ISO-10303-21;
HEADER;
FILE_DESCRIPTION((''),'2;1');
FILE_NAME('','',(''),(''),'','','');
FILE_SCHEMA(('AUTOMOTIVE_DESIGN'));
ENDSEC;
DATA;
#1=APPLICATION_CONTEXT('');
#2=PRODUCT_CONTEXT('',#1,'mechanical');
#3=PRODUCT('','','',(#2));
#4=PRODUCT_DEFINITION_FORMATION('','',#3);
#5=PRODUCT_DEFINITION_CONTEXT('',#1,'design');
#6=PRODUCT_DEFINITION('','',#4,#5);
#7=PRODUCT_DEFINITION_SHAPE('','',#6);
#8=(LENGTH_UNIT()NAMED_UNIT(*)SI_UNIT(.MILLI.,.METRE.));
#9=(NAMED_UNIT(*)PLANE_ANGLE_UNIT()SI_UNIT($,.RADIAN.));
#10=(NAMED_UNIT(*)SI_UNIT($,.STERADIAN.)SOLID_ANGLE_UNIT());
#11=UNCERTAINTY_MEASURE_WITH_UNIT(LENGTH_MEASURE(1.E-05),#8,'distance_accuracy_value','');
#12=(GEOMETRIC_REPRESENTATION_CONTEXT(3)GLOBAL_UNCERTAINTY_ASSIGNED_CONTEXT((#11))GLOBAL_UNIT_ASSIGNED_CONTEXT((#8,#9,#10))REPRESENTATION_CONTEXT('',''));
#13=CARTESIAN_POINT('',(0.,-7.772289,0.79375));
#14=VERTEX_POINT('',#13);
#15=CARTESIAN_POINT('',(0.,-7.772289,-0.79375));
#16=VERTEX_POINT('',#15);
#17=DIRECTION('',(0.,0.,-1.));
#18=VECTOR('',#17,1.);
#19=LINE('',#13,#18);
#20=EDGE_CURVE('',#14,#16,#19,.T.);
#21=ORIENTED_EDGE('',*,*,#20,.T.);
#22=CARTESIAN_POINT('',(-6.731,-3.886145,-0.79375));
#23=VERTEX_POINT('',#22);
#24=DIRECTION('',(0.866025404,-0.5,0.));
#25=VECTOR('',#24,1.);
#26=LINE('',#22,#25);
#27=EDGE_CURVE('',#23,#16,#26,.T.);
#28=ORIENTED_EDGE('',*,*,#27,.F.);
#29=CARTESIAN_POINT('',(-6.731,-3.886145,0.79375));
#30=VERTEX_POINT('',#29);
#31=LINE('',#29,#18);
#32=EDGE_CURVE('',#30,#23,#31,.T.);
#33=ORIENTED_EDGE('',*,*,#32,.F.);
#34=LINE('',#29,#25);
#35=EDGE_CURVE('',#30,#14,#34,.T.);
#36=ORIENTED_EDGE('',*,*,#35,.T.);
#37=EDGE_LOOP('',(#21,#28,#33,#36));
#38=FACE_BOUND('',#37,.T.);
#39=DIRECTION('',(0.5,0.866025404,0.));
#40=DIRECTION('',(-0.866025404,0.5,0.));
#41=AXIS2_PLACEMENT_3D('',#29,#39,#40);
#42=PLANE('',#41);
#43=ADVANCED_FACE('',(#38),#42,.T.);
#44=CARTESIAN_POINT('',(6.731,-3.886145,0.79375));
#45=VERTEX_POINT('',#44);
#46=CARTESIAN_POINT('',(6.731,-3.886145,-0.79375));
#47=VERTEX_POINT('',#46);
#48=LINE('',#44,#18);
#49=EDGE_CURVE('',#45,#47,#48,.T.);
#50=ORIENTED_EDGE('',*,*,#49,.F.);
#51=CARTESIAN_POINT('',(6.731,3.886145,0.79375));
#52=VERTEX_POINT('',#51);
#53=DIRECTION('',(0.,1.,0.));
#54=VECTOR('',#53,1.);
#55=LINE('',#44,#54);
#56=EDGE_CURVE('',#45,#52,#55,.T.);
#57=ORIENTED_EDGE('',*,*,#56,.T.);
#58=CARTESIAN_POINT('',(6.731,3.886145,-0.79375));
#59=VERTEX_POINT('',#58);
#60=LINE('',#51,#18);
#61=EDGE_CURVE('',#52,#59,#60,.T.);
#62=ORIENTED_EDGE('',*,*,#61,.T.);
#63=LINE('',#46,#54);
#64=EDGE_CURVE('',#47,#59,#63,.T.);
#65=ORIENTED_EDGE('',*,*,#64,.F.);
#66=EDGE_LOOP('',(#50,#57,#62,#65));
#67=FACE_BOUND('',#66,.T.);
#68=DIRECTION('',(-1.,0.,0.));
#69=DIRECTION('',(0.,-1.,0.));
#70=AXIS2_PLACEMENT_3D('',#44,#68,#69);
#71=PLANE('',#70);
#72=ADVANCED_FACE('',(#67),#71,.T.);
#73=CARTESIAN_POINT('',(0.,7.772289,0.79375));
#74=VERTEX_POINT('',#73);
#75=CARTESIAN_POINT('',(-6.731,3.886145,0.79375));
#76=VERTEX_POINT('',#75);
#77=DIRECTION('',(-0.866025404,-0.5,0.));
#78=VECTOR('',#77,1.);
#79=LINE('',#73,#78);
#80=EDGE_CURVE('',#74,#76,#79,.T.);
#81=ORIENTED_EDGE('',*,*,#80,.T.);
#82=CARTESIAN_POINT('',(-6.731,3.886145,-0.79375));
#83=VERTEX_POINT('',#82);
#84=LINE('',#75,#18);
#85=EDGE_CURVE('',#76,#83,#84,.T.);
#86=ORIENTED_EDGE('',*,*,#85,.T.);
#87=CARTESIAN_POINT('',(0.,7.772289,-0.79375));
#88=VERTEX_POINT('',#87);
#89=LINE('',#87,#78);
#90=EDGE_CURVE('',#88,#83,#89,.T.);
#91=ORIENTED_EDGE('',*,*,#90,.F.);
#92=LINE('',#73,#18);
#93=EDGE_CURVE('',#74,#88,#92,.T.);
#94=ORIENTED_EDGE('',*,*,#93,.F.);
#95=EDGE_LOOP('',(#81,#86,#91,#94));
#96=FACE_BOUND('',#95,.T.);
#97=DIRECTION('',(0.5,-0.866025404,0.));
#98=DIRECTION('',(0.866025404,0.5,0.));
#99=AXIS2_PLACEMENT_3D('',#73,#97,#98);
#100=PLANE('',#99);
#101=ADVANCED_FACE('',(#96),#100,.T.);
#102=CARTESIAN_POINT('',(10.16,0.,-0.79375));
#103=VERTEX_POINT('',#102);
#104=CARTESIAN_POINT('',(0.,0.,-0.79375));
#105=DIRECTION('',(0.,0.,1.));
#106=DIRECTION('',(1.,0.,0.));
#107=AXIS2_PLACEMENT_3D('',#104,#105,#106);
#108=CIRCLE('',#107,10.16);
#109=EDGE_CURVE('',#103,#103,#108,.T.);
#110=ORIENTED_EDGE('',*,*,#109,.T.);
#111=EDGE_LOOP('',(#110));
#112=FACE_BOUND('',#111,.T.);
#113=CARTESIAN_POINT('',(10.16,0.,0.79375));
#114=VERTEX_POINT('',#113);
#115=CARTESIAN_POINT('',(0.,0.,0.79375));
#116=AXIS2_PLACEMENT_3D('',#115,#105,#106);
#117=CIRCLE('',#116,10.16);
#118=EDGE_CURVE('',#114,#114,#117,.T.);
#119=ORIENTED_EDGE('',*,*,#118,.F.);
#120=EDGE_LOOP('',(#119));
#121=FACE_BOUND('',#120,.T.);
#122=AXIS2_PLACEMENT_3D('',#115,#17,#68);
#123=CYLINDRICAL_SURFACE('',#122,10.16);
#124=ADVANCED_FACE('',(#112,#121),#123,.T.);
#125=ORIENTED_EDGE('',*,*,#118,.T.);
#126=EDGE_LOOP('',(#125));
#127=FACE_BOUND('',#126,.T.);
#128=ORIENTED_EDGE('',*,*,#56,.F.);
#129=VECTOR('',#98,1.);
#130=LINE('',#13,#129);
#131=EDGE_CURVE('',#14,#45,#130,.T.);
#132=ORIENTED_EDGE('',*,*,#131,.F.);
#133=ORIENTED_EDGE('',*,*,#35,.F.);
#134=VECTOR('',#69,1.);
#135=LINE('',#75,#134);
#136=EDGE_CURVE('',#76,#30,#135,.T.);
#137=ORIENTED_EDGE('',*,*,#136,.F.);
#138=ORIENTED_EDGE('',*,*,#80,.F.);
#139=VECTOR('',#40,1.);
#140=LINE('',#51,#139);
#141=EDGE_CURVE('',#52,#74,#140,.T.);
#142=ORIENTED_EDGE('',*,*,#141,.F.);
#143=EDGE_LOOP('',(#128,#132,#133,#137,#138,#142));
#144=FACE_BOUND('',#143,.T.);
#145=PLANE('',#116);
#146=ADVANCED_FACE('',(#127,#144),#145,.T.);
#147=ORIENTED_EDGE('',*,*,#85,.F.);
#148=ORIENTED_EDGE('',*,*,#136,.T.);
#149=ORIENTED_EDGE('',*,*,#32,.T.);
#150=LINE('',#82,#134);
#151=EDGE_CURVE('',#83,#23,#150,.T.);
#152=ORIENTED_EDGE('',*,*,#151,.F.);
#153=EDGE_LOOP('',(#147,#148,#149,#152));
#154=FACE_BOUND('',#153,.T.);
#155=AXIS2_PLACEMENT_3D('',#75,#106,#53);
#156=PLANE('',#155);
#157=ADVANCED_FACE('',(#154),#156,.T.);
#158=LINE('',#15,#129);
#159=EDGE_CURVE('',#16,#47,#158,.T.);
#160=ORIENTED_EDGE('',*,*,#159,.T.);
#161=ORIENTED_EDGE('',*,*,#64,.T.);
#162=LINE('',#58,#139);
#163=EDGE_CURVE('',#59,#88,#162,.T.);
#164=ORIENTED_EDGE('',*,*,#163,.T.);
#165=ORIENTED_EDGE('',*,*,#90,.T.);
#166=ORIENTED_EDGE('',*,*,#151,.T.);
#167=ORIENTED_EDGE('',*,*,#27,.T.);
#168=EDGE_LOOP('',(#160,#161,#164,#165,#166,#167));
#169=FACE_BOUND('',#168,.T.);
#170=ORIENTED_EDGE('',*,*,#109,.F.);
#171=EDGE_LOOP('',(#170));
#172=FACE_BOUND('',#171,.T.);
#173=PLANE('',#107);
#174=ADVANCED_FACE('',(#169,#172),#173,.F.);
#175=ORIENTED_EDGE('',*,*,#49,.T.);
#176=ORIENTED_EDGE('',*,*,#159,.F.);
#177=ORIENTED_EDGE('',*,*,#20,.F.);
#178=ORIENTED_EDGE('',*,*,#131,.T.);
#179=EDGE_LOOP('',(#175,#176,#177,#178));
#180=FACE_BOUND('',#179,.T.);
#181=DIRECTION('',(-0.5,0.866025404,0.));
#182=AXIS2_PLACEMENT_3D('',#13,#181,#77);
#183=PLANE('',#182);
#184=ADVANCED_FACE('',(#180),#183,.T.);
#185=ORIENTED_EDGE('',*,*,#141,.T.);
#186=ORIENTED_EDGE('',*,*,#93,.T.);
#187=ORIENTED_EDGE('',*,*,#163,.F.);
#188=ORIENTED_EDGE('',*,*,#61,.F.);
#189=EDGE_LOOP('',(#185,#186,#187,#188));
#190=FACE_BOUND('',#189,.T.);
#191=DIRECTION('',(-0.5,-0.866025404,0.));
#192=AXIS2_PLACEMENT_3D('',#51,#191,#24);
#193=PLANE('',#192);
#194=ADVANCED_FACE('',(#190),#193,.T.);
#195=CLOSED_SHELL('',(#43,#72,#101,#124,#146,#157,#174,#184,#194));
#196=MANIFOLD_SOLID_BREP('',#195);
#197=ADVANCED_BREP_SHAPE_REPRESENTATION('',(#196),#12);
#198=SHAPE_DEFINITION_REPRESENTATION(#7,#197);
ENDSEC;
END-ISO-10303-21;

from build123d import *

# Parameters (mm, degrees)
SKETCH1_R           = 10.16
BOSS_EXTRUDE1_DEPTH = 0.79375


with BuildPart() as part:
    # Sketch1 → Boss-Extrude1 (new, symmetric)
    with BuildSketch(Plane.XY):
        Circle(SKETCH1_R)
        Polygon((0, 7.772289324), (-6.731, 3.886144662), (-6.731, -3.886144662), (0, -7.772289324), (6.731, -3.886144662), (6.731, 3.886144662), align=None, mode=Mode.SUBTRACT)
    extrude(amount=BOSS_EXTRUDE1_DEPTH, both=True)


solid = part.part
